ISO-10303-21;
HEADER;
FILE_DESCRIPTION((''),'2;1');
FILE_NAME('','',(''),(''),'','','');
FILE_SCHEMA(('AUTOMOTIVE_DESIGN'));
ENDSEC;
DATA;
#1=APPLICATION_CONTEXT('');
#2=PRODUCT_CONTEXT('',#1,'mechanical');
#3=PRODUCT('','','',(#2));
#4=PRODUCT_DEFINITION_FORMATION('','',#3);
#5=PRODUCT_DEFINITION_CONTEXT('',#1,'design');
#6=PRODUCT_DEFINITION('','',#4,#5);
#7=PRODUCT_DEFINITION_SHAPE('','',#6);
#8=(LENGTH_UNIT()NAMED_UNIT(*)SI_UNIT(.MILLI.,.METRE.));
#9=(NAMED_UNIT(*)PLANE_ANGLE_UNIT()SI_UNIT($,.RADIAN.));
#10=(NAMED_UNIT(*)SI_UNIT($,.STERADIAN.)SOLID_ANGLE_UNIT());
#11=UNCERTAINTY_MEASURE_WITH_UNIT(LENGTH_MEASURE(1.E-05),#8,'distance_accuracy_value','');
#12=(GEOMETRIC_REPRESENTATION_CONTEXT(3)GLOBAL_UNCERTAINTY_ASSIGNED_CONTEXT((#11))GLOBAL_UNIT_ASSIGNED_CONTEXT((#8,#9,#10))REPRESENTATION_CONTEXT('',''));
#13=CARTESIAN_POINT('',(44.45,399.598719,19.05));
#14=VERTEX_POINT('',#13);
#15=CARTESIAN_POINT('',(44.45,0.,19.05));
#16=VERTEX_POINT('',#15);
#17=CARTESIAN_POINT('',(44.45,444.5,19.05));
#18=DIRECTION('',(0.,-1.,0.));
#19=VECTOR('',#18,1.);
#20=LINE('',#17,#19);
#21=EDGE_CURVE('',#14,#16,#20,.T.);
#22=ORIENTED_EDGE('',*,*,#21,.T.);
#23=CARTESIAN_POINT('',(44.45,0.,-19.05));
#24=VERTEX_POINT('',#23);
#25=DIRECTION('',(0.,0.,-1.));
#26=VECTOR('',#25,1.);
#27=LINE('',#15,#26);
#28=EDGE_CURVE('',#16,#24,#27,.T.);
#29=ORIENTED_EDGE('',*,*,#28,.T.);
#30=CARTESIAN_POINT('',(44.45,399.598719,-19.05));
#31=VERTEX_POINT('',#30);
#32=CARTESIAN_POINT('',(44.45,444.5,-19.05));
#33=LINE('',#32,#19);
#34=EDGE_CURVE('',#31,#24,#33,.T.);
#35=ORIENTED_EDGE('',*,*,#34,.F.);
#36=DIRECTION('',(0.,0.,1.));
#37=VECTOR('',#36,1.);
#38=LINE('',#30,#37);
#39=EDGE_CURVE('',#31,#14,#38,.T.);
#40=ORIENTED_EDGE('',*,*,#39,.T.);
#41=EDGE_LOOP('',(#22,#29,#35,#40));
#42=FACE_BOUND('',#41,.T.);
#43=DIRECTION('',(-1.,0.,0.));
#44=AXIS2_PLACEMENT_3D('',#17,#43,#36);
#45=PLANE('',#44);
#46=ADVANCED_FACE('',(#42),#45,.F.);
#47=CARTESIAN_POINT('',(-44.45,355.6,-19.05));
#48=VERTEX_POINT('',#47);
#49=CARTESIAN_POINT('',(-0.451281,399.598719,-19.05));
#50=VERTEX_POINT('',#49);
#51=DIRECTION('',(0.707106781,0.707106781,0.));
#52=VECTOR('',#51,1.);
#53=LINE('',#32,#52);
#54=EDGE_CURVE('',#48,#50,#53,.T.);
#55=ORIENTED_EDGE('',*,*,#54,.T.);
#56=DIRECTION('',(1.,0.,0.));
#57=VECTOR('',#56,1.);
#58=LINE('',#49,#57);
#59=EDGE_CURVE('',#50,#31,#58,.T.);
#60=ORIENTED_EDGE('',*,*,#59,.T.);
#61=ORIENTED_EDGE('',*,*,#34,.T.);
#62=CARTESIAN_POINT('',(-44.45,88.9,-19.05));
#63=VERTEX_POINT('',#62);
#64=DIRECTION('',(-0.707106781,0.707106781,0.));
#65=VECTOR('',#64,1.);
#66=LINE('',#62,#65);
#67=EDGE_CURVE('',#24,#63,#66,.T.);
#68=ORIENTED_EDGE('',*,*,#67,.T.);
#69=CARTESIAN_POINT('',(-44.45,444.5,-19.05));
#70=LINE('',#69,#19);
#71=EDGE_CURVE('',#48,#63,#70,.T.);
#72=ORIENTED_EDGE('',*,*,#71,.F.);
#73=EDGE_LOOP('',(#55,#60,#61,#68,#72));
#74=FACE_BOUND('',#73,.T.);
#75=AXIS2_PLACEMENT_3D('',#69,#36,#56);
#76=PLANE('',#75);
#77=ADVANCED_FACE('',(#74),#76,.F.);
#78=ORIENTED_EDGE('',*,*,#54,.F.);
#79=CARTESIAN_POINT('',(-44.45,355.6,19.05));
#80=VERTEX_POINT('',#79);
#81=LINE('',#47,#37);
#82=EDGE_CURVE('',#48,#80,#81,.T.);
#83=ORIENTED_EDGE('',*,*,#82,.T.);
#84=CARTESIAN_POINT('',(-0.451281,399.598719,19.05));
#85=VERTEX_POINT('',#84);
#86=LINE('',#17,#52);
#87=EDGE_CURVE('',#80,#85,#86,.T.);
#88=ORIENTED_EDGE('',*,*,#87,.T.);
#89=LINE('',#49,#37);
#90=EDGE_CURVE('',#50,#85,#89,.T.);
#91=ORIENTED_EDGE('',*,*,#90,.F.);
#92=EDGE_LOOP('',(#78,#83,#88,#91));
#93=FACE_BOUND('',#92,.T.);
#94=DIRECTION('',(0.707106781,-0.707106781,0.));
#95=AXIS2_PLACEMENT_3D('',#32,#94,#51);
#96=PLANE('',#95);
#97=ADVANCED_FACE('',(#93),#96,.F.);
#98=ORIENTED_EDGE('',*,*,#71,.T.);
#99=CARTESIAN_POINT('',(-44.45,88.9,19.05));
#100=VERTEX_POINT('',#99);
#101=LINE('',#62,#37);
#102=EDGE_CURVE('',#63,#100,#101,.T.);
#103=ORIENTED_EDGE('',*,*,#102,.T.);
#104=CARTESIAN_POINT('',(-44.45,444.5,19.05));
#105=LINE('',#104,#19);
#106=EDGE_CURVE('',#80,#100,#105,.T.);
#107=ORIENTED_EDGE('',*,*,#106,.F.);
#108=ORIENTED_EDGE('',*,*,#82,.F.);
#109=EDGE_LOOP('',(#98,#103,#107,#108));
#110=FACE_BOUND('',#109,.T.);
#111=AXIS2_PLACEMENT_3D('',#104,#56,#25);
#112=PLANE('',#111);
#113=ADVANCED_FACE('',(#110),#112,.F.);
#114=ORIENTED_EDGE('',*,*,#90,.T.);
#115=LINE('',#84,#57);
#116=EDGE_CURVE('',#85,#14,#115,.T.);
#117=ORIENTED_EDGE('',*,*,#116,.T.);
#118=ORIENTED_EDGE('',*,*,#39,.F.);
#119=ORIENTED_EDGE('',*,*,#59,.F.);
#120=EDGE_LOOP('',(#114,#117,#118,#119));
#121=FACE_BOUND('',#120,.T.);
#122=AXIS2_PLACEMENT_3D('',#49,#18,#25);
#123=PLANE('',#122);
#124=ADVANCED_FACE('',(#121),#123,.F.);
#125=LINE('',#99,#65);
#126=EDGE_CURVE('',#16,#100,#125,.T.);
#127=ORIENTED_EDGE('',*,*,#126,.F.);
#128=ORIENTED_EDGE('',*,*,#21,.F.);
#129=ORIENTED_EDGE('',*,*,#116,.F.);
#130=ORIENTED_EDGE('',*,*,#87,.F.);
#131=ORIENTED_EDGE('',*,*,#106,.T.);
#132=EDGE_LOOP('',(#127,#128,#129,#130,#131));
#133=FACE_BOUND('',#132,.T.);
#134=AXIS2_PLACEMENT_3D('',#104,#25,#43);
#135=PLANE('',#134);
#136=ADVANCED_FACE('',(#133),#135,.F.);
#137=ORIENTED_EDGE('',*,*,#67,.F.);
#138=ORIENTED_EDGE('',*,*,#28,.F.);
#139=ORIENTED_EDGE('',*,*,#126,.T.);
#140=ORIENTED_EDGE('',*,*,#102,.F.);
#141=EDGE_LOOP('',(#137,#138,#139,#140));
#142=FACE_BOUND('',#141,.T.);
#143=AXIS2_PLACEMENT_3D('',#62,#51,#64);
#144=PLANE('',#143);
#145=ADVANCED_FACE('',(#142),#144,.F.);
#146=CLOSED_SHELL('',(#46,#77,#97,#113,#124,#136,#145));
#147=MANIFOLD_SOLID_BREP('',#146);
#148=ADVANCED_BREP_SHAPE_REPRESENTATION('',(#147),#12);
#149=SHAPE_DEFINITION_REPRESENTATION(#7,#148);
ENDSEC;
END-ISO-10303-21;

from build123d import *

# Parameters (mm, degrees)
SKETCH1_W           = 88.9
SKETCH1_H           = 38.1
BOSS_EXTRUDE1_DEPTH = 444.5
CUT_EXTRUDE1_DEPTH  = 449.338780946
CUT_EXTRUDE2_DEPTH  = 449.338780946


with BuildPart() as part:
    # Sketch1 → Boss-Extrude1 (new body)
    with BuildSketch(Plane(origin=(0, 0, 0), x_dir=(1, 0, 0), z_dir=(0, 1, 0))):
        Rectangle(SKETCH1_W, SKETCH1_H)
    extrude(amount=BOSS_EXTRUDE1_DEPTH)

    # Sketch2 → Cut-Extrude1 (cut, through all)
    with BuildSketch(Plane.XY.offset(19.05)):
        Polygon((-44.45, 444.5), (44.45, 444.5), (-44.45, 355.6), align=None)
        Polygon((44.45, 0), (-44.45, 0), (-44.45, 88.9), align=None)
    extrude(amount=-CUT_EXTRUDE1_DEPTH, mode=Mode.SUBTRACT)

    # Sketch3 → Cut-Extrude2 (cut, through all)
    with BuildSketch(Plane.XY.offset(19.05)):
        Polygon((44.45, 444.5), (-0.451280605, 399.598719395), (44.45, 399.598719395), align=None)
    extrude(amount=-CUT_EXTRUDE2_DEPTH, mode=Mode.SUBTRACT)


solid = part.part
